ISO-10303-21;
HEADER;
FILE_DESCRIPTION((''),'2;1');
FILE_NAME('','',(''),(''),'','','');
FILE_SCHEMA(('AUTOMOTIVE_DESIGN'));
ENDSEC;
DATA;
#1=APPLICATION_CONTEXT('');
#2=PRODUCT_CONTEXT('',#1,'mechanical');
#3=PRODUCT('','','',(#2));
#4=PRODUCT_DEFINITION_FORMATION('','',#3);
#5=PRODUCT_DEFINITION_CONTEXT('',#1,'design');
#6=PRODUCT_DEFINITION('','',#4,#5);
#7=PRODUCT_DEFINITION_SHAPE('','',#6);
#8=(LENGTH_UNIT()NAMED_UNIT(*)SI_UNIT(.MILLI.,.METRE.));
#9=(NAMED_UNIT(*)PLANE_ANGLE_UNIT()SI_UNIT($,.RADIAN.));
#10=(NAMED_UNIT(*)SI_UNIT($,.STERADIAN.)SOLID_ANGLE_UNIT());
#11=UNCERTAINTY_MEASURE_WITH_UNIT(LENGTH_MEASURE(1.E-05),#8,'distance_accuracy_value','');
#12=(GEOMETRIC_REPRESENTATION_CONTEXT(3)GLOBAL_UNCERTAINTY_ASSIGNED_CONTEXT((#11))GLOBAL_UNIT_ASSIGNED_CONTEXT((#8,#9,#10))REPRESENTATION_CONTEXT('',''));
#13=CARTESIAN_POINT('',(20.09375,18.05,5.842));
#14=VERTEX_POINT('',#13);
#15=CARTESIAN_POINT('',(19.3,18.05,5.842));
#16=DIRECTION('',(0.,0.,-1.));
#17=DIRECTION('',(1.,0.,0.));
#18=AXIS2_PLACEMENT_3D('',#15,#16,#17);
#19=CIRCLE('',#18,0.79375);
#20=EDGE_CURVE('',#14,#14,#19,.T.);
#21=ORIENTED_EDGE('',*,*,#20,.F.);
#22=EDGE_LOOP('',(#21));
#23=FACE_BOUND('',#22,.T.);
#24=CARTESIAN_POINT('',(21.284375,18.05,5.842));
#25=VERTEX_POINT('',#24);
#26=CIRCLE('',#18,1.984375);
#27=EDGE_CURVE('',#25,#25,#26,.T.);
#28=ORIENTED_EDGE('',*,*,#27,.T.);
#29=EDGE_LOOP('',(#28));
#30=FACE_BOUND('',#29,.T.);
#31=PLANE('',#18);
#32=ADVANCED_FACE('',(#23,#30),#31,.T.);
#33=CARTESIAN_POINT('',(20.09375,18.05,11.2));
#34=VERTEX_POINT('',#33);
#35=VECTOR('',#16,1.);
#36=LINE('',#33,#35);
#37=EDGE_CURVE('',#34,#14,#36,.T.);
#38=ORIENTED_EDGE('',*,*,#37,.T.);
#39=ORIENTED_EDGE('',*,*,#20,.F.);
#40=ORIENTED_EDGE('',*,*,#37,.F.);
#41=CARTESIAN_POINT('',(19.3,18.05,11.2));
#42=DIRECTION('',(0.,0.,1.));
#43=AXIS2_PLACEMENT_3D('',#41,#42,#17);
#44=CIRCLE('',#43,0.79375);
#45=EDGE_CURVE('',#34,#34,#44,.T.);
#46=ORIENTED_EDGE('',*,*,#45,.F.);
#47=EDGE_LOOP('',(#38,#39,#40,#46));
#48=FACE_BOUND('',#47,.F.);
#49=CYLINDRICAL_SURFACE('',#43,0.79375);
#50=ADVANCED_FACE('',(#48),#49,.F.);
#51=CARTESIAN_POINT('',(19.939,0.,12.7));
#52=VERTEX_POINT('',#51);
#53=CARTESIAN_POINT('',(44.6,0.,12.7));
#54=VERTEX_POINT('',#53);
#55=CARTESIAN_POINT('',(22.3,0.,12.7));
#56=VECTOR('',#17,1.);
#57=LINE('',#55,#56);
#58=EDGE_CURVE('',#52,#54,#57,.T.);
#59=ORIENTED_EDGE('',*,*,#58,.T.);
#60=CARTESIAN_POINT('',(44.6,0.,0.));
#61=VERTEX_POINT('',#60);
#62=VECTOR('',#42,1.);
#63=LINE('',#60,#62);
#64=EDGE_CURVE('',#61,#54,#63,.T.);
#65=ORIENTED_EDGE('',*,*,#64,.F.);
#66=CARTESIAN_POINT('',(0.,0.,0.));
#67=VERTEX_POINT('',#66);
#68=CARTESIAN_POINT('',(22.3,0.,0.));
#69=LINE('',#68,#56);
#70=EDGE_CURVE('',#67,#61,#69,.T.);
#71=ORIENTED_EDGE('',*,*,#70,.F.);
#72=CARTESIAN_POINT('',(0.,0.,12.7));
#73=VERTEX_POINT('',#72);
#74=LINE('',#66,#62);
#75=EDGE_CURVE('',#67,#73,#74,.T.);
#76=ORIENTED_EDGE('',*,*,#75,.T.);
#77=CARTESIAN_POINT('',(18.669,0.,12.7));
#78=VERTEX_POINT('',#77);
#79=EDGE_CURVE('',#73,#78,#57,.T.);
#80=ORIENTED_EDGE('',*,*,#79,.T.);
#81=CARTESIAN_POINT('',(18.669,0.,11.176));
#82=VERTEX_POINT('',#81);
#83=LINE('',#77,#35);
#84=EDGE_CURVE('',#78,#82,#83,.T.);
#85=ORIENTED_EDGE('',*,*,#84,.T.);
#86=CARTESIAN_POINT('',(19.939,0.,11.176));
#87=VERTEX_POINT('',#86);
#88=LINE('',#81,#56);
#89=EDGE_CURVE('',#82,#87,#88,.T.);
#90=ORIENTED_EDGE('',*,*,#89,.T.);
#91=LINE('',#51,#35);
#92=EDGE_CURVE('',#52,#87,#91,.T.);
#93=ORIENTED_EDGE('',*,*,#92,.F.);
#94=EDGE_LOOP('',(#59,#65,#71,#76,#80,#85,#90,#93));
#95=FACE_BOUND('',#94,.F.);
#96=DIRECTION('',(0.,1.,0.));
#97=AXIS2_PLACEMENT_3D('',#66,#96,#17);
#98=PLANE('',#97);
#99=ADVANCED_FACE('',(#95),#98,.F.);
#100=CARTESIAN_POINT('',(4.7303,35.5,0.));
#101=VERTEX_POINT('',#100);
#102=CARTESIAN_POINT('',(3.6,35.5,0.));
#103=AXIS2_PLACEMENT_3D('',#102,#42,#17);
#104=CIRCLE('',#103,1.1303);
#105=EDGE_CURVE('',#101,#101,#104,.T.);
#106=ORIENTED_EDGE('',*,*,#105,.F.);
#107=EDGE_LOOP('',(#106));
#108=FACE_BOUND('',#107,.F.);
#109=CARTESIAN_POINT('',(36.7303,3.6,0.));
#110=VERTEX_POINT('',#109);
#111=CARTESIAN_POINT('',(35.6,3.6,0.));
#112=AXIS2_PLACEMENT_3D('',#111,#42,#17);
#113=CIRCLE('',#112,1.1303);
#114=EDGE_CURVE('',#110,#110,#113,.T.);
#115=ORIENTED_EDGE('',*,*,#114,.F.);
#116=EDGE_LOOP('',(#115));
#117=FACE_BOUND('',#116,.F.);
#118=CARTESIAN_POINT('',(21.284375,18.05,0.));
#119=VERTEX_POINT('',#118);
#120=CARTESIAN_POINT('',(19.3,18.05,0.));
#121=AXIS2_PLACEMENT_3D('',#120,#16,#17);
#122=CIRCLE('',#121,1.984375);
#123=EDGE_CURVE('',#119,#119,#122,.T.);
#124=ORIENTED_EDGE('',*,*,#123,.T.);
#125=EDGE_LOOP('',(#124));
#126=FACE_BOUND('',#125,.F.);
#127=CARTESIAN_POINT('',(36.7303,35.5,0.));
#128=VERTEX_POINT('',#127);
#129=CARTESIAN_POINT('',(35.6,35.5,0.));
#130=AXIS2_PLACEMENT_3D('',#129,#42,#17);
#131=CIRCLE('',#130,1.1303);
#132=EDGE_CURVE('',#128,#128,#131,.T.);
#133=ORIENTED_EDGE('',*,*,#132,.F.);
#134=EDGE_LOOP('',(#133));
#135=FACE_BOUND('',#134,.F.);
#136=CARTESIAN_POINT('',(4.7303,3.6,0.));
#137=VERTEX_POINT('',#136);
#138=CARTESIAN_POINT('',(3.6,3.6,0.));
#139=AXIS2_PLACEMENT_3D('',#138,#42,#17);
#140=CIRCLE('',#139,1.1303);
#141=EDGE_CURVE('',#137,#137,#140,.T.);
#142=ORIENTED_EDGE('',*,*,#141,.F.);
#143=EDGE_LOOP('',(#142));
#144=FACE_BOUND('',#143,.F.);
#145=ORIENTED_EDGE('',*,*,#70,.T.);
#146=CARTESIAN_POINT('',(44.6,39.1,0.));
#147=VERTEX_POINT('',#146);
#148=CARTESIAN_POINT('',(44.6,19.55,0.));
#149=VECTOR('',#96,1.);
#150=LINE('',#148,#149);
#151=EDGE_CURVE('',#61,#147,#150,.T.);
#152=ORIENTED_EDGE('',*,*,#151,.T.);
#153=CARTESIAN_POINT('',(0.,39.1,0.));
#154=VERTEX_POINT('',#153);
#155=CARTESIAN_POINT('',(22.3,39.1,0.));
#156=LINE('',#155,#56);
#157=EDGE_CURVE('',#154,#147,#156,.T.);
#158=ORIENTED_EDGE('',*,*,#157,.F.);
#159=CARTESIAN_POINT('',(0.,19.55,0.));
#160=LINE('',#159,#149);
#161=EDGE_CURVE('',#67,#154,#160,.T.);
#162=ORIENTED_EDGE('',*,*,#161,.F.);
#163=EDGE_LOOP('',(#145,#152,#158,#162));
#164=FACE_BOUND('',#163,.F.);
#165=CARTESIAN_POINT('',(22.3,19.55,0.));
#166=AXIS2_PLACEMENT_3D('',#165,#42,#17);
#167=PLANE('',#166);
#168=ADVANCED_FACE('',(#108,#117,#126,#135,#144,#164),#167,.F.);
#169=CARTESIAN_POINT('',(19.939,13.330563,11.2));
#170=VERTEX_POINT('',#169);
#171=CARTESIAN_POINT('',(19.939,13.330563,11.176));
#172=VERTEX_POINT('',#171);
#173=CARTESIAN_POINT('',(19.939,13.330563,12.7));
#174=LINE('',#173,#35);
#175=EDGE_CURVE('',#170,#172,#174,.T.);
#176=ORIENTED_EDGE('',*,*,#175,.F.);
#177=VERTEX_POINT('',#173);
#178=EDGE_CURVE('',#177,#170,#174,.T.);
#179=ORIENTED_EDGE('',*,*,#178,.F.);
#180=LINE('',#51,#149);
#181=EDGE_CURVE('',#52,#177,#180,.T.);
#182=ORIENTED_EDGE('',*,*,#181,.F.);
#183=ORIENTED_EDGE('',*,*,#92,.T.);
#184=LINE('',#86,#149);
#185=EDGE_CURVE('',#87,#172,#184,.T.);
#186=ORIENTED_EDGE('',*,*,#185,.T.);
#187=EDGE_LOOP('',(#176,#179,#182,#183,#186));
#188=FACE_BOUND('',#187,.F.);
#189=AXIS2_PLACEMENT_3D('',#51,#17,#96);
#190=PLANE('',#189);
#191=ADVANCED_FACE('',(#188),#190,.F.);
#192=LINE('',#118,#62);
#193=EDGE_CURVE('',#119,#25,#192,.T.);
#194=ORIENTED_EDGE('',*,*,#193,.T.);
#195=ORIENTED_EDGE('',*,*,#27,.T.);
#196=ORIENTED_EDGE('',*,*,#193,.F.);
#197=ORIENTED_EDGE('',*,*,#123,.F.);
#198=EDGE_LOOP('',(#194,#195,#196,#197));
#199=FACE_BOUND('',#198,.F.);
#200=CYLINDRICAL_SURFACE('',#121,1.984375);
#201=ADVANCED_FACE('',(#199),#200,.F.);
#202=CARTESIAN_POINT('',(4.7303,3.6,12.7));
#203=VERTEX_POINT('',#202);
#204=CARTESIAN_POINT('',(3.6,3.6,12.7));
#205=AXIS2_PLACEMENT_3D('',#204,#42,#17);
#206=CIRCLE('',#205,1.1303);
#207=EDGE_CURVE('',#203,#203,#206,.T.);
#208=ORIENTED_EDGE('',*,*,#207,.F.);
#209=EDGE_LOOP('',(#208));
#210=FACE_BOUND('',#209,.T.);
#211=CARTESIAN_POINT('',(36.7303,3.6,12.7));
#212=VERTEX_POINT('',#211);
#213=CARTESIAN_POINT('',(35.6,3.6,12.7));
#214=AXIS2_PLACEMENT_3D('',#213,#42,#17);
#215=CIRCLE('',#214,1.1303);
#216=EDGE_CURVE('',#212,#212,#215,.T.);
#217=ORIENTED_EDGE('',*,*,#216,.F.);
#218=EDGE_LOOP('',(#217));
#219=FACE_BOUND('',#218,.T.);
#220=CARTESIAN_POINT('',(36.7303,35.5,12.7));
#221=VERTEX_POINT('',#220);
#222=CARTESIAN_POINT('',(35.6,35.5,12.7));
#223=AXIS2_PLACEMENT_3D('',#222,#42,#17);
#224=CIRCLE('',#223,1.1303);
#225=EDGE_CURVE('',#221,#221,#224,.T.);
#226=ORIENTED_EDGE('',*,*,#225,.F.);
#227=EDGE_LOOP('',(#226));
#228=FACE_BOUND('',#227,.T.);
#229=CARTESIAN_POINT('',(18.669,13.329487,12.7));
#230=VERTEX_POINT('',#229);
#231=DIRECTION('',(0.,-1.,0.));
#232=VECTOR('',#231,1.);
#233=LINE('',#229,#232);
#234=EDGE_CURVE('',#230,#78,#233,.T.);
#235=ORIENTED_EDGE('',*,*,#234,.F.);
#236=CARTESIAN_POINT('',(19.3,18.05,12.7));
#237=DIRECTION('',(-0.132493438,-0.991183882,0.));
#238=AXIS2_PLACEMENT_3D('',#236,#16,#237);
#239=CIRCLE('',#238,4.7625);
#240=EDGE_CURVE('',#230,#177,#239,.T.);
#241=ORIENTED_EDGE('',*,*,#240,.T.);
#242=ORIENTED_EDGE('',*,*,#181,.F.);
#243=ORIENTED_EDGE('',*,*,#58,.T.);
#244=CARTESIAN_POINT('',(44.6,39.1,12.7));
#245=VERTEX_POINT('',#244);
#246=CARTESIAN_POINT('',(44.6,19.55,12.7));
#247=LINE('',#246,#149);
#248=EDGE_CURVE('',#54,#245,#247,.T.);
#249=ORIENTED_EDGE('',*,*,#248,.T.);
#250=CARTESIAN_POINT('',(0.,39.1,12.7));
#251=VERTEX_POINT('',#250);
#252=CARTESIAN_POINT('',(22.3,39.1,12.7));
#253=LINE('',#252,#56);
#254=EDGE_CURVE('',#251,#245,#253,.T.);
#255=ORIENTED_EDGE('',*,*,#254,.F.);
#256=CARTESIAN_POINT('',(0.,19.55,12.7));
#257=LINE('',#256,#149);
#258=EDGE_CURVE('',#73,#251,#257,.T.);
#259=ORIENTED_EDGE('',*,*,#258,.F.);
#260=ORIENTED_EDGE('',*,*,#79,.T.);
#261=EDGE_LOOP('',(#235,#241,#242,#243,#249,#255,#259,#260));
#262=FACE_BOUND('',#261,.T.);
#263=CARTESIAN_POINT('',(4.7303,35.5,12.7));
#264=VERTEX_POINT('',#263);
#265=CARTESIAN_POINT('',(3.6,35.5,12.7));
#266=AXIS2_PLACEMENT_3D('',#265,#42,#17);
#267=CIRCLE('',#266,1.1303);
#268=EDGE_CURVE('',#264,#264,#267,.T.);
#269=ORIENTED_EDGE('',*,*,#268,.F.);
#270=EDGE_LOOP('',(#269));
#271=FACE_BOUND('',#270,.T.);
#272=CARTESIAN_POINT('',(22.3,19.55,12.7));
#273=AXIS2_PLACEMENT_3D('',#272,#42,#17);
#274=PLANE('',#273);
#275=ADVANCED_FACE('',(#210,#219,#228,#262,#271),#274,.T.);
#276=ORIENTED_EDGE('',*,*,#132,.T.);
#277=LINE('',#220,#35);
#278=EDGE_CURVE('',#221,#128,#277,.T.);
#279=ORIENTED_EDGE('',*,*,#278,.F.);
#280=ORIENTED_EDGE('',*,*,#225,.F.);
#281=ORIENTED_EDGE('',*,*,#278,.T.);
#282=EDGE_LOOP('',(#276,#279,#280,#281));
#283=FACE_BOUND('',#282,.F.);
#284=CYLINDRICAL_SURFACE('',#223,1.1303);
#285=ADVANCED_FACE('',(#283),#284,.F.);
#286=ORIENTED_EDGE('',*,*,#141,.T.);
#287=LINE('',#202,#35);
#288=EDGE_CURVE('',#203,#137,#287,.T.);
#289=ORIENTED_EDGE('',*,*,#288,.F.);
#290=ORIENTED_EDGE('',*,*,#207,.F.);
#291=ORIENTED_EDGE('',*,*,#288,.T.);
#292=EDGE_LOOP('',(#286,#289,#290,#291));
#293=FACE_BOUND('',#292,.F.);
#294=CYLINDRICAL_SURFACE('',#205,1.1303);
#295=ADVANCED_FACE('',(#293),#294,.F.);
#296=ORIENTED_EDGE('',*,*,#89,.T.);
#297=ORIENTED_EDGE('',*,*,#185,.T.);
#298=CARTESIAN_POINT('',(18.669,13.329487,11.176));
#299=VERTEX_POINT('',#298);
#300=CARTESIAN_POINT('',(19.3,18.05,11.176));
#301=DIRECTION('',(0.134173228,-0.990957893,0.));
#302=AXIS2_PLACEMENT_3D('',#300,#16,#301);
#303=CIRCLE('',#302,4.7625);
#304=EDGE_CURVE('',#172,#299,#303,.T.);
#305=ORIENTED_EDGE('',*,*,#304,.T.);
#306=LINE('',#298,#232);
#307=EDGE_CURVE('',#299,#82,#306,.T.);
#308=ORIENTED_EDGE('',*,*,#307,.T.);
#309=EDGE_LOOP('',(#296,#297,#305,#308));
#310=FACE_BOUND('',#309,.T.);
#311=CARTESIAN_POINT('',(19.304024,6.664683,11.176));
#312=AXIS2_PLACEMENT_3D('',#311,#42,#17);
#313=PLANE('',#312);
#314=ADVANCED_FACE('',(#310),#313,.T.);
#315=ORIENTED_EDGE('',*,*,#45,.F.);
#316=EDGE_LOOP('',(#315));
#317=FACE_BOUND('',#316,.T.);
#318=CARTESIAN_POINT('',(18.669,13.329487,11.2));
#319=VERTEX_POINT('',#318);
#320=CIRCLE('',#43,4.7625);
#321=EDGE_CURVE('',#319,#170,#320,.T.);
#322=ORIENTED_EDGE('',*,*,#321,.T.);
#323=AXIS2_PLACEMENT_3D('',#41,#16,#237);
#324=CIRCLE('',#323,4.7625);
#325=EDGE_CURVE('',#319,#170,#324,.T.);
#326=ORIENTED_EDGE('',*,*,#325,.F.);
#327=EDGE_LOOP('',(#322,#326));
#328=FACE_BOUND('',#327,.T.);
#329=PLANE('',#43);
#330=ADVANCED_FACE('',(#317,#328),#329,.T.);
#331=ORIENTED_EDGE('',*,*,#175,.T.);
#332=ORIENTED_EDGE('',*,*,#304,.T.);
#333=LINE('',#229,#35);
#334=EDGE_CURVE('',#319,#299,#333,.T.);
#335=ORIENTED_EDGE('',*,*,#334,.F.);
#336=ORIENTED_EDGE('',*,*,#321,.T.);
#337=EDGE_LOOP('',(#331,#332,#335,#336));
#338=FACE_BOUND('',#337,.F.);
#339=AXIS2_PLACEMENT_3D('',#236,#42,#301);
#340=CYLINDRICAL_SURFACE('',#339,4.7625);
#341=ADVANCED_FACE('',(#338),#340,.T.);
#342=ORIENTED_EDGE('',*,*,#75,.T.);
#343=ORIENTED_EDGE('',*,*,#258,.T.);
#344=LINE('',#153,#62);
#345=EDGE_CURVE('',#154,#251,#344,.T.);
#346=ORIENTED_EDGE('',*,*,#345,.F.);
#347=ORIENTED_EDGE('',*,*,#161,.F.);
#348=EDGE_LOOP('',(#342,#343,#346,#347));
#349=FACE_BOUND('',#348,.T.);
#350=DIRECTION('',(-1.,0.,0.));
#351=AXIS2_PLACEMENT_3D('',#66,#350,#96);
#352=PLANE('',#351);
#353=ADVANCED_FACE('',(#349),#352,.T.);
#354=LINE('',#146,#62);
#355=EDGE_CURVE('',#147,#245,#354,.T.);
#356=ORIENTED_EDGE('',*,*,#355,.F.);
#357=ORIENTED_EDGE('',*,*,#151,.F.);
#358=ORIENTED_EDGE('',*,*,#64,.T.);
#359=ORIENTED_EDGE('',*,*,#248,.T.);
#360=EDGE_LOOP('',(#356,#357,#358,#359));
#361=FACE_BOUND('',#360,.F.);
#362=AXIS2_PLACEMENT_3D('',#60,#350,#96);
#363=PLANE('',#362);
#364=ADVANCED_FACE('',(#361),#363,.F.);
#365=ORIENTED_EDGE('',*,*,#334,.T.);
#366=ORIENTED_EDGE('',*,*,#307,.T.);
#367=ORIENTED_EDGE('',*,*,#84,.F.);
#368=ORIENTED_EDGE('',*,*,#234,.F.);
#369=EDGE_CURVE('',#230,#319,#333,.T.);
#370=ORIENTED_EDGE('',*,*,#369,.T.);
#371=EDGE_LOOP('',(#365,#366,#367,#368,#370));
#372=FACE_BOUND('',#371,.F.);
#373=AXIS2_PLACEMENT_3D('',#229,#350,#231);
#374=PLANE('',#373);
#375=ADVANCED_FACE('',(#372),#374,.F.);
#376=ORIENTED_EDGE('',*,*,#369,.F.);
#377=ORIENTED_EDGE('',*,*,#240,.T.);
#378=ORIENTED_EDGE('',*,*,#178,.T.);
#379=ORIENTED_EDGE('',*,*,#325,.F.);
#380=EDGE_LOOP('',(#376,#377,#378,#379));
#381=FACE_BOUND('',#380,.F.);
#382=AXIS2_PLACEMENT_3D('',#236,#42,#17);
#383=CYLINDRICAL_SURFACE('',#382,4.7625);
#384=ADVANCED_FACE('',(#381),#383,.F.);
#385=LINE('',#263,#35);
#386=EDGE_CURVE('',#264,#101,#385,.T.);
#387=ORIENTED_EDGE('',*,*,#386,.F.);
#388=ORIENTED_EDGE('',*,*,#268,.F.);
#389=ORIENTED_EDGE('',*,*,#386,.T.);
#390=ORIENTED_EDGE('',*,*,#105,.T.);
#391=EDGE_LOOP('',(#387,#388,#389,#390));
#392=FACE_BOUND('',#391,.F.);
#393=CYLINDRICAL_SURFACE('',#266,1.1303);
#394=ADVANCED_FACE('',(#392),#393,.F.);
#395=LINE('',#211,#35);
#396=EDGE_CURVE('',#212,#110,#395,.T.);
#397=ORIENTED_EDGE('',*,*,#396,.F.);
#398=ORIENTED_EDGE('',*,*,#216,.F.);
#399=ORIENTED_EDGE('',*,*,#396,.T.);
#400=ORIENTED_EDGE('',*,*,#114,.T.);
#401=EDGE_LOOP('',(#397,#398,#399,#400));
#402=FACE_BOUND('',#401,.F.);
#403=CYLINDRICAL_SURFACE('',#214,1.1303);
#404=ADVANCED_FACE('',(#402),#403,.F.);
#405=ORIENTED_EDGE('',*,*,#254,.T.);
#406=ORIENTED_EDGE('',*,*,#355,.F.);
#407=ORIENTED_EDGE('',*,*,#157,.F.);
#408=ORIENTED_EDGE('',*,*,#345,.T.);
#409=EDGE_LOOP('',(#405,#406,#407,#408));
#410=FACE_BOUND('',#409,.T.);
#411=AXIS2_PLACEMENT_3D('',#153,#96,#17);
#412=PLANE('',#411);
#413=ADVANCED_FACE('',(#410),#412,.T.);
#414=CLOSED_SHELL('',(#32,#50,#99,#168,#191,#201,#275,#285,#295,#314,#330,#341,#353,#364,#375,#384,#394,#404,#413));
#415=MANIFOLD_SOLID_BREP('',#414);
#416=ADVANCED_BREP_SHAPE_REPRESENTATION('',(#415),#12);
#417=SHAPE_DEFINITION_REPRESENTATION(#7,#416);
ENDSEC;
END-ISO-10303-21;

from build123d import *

# Parameters (mm, degrees)
F0_W      = 44.6
F0_H      = 39.1
F1_DEPTH  = 12.7
F2_R      = 1.1303
F3_DEPTH  = 25
F4_R      = 4.7625
F5_DEPTH  = 1.5
F6_R      = 0.79375
F7_DEPTH  = 11.2
F8_R      = 1.984375
F8_R_2    = 0.79375
F9_DEPTH  = 5.842
F11_DEPTH = 1.524


with BuildPart() as f1:
    # F0 (on Top) → F1 (new body)
    with BuildSketch(Plane.XY):
        with Locations((22.3, 19.55)):
            Rectangle(F0_W, F0_H)
    extrude(amount=F1_DEPTH)

    # F2 (on face) → F3 (cut)
    with BuildSketch(Plane.XY.offset(12.7)):
        with Locations((3.6, 35.5)):
            Circle(F2_R)
        with Locations((3.6, 3.6)):
            Circle(F2_R)
        with Locations((35.6, 3.6)):
            Circle(F2_R)
        with Locations((35.6, 35.5)):
            Circle(F2_R)
    extrude(amount=-F3_DEPTH, mode=Mode.SUBTRACT)

    # F4 (on face) → F5 (cut)
    with BuildSketch(Plane.XY.offset(12.7)):
        with Locations((19.3, 18.05)):
            Circle(F4_R)
    extrude(amount=-F5_DEPTH, mode=Mode.SUBTRACT)

    # F6 (on face) → F7 (cut, through all)
    with BuildSketch(Plane.XY.offset(11.2)):
        with Locations((19.3, 18.05)):
            Circle(F6_R)
    extrude(amount=-F7_DEPTH, mode=Mode.SUBTRACT)

    # F8 (on face) → F9 (cut)
    with BuildSketch(Plane(origin=(0, 0, 0), x_dir=(1, 0, 0), z_dir=(0, 0, -1))):
        with Locations((19.3, -18.05)):
            Circle(F8_R)
        with Locations((19.3, -18.05)):
            Circle(F8_R_2, mode=Mode.SUBTRACT)
    extrude(amount=-F9_DEPTH, mode=Mode.SUBTRACT)

    # F10 (on face) → F11 (cut)
    with BuildSketch(Plane.XY.offset(12.7)):
        with BuildLine():
            ThreePointArc((19.939, 13.3305630368), (19.3040360368, 13.2875017102), (18.669, 13.3294867599))
            Line((18.669, 13.3294867599), (18.669, 0))
            Line((18.669, 0), (19.939, 0))
            Line((19.939, 0), (19.939, 13.3305630368))
        make_face()
    extrude(amount=-F11_DEPTH, mode=Mode.SUBTRACT)


solid = f1.part
